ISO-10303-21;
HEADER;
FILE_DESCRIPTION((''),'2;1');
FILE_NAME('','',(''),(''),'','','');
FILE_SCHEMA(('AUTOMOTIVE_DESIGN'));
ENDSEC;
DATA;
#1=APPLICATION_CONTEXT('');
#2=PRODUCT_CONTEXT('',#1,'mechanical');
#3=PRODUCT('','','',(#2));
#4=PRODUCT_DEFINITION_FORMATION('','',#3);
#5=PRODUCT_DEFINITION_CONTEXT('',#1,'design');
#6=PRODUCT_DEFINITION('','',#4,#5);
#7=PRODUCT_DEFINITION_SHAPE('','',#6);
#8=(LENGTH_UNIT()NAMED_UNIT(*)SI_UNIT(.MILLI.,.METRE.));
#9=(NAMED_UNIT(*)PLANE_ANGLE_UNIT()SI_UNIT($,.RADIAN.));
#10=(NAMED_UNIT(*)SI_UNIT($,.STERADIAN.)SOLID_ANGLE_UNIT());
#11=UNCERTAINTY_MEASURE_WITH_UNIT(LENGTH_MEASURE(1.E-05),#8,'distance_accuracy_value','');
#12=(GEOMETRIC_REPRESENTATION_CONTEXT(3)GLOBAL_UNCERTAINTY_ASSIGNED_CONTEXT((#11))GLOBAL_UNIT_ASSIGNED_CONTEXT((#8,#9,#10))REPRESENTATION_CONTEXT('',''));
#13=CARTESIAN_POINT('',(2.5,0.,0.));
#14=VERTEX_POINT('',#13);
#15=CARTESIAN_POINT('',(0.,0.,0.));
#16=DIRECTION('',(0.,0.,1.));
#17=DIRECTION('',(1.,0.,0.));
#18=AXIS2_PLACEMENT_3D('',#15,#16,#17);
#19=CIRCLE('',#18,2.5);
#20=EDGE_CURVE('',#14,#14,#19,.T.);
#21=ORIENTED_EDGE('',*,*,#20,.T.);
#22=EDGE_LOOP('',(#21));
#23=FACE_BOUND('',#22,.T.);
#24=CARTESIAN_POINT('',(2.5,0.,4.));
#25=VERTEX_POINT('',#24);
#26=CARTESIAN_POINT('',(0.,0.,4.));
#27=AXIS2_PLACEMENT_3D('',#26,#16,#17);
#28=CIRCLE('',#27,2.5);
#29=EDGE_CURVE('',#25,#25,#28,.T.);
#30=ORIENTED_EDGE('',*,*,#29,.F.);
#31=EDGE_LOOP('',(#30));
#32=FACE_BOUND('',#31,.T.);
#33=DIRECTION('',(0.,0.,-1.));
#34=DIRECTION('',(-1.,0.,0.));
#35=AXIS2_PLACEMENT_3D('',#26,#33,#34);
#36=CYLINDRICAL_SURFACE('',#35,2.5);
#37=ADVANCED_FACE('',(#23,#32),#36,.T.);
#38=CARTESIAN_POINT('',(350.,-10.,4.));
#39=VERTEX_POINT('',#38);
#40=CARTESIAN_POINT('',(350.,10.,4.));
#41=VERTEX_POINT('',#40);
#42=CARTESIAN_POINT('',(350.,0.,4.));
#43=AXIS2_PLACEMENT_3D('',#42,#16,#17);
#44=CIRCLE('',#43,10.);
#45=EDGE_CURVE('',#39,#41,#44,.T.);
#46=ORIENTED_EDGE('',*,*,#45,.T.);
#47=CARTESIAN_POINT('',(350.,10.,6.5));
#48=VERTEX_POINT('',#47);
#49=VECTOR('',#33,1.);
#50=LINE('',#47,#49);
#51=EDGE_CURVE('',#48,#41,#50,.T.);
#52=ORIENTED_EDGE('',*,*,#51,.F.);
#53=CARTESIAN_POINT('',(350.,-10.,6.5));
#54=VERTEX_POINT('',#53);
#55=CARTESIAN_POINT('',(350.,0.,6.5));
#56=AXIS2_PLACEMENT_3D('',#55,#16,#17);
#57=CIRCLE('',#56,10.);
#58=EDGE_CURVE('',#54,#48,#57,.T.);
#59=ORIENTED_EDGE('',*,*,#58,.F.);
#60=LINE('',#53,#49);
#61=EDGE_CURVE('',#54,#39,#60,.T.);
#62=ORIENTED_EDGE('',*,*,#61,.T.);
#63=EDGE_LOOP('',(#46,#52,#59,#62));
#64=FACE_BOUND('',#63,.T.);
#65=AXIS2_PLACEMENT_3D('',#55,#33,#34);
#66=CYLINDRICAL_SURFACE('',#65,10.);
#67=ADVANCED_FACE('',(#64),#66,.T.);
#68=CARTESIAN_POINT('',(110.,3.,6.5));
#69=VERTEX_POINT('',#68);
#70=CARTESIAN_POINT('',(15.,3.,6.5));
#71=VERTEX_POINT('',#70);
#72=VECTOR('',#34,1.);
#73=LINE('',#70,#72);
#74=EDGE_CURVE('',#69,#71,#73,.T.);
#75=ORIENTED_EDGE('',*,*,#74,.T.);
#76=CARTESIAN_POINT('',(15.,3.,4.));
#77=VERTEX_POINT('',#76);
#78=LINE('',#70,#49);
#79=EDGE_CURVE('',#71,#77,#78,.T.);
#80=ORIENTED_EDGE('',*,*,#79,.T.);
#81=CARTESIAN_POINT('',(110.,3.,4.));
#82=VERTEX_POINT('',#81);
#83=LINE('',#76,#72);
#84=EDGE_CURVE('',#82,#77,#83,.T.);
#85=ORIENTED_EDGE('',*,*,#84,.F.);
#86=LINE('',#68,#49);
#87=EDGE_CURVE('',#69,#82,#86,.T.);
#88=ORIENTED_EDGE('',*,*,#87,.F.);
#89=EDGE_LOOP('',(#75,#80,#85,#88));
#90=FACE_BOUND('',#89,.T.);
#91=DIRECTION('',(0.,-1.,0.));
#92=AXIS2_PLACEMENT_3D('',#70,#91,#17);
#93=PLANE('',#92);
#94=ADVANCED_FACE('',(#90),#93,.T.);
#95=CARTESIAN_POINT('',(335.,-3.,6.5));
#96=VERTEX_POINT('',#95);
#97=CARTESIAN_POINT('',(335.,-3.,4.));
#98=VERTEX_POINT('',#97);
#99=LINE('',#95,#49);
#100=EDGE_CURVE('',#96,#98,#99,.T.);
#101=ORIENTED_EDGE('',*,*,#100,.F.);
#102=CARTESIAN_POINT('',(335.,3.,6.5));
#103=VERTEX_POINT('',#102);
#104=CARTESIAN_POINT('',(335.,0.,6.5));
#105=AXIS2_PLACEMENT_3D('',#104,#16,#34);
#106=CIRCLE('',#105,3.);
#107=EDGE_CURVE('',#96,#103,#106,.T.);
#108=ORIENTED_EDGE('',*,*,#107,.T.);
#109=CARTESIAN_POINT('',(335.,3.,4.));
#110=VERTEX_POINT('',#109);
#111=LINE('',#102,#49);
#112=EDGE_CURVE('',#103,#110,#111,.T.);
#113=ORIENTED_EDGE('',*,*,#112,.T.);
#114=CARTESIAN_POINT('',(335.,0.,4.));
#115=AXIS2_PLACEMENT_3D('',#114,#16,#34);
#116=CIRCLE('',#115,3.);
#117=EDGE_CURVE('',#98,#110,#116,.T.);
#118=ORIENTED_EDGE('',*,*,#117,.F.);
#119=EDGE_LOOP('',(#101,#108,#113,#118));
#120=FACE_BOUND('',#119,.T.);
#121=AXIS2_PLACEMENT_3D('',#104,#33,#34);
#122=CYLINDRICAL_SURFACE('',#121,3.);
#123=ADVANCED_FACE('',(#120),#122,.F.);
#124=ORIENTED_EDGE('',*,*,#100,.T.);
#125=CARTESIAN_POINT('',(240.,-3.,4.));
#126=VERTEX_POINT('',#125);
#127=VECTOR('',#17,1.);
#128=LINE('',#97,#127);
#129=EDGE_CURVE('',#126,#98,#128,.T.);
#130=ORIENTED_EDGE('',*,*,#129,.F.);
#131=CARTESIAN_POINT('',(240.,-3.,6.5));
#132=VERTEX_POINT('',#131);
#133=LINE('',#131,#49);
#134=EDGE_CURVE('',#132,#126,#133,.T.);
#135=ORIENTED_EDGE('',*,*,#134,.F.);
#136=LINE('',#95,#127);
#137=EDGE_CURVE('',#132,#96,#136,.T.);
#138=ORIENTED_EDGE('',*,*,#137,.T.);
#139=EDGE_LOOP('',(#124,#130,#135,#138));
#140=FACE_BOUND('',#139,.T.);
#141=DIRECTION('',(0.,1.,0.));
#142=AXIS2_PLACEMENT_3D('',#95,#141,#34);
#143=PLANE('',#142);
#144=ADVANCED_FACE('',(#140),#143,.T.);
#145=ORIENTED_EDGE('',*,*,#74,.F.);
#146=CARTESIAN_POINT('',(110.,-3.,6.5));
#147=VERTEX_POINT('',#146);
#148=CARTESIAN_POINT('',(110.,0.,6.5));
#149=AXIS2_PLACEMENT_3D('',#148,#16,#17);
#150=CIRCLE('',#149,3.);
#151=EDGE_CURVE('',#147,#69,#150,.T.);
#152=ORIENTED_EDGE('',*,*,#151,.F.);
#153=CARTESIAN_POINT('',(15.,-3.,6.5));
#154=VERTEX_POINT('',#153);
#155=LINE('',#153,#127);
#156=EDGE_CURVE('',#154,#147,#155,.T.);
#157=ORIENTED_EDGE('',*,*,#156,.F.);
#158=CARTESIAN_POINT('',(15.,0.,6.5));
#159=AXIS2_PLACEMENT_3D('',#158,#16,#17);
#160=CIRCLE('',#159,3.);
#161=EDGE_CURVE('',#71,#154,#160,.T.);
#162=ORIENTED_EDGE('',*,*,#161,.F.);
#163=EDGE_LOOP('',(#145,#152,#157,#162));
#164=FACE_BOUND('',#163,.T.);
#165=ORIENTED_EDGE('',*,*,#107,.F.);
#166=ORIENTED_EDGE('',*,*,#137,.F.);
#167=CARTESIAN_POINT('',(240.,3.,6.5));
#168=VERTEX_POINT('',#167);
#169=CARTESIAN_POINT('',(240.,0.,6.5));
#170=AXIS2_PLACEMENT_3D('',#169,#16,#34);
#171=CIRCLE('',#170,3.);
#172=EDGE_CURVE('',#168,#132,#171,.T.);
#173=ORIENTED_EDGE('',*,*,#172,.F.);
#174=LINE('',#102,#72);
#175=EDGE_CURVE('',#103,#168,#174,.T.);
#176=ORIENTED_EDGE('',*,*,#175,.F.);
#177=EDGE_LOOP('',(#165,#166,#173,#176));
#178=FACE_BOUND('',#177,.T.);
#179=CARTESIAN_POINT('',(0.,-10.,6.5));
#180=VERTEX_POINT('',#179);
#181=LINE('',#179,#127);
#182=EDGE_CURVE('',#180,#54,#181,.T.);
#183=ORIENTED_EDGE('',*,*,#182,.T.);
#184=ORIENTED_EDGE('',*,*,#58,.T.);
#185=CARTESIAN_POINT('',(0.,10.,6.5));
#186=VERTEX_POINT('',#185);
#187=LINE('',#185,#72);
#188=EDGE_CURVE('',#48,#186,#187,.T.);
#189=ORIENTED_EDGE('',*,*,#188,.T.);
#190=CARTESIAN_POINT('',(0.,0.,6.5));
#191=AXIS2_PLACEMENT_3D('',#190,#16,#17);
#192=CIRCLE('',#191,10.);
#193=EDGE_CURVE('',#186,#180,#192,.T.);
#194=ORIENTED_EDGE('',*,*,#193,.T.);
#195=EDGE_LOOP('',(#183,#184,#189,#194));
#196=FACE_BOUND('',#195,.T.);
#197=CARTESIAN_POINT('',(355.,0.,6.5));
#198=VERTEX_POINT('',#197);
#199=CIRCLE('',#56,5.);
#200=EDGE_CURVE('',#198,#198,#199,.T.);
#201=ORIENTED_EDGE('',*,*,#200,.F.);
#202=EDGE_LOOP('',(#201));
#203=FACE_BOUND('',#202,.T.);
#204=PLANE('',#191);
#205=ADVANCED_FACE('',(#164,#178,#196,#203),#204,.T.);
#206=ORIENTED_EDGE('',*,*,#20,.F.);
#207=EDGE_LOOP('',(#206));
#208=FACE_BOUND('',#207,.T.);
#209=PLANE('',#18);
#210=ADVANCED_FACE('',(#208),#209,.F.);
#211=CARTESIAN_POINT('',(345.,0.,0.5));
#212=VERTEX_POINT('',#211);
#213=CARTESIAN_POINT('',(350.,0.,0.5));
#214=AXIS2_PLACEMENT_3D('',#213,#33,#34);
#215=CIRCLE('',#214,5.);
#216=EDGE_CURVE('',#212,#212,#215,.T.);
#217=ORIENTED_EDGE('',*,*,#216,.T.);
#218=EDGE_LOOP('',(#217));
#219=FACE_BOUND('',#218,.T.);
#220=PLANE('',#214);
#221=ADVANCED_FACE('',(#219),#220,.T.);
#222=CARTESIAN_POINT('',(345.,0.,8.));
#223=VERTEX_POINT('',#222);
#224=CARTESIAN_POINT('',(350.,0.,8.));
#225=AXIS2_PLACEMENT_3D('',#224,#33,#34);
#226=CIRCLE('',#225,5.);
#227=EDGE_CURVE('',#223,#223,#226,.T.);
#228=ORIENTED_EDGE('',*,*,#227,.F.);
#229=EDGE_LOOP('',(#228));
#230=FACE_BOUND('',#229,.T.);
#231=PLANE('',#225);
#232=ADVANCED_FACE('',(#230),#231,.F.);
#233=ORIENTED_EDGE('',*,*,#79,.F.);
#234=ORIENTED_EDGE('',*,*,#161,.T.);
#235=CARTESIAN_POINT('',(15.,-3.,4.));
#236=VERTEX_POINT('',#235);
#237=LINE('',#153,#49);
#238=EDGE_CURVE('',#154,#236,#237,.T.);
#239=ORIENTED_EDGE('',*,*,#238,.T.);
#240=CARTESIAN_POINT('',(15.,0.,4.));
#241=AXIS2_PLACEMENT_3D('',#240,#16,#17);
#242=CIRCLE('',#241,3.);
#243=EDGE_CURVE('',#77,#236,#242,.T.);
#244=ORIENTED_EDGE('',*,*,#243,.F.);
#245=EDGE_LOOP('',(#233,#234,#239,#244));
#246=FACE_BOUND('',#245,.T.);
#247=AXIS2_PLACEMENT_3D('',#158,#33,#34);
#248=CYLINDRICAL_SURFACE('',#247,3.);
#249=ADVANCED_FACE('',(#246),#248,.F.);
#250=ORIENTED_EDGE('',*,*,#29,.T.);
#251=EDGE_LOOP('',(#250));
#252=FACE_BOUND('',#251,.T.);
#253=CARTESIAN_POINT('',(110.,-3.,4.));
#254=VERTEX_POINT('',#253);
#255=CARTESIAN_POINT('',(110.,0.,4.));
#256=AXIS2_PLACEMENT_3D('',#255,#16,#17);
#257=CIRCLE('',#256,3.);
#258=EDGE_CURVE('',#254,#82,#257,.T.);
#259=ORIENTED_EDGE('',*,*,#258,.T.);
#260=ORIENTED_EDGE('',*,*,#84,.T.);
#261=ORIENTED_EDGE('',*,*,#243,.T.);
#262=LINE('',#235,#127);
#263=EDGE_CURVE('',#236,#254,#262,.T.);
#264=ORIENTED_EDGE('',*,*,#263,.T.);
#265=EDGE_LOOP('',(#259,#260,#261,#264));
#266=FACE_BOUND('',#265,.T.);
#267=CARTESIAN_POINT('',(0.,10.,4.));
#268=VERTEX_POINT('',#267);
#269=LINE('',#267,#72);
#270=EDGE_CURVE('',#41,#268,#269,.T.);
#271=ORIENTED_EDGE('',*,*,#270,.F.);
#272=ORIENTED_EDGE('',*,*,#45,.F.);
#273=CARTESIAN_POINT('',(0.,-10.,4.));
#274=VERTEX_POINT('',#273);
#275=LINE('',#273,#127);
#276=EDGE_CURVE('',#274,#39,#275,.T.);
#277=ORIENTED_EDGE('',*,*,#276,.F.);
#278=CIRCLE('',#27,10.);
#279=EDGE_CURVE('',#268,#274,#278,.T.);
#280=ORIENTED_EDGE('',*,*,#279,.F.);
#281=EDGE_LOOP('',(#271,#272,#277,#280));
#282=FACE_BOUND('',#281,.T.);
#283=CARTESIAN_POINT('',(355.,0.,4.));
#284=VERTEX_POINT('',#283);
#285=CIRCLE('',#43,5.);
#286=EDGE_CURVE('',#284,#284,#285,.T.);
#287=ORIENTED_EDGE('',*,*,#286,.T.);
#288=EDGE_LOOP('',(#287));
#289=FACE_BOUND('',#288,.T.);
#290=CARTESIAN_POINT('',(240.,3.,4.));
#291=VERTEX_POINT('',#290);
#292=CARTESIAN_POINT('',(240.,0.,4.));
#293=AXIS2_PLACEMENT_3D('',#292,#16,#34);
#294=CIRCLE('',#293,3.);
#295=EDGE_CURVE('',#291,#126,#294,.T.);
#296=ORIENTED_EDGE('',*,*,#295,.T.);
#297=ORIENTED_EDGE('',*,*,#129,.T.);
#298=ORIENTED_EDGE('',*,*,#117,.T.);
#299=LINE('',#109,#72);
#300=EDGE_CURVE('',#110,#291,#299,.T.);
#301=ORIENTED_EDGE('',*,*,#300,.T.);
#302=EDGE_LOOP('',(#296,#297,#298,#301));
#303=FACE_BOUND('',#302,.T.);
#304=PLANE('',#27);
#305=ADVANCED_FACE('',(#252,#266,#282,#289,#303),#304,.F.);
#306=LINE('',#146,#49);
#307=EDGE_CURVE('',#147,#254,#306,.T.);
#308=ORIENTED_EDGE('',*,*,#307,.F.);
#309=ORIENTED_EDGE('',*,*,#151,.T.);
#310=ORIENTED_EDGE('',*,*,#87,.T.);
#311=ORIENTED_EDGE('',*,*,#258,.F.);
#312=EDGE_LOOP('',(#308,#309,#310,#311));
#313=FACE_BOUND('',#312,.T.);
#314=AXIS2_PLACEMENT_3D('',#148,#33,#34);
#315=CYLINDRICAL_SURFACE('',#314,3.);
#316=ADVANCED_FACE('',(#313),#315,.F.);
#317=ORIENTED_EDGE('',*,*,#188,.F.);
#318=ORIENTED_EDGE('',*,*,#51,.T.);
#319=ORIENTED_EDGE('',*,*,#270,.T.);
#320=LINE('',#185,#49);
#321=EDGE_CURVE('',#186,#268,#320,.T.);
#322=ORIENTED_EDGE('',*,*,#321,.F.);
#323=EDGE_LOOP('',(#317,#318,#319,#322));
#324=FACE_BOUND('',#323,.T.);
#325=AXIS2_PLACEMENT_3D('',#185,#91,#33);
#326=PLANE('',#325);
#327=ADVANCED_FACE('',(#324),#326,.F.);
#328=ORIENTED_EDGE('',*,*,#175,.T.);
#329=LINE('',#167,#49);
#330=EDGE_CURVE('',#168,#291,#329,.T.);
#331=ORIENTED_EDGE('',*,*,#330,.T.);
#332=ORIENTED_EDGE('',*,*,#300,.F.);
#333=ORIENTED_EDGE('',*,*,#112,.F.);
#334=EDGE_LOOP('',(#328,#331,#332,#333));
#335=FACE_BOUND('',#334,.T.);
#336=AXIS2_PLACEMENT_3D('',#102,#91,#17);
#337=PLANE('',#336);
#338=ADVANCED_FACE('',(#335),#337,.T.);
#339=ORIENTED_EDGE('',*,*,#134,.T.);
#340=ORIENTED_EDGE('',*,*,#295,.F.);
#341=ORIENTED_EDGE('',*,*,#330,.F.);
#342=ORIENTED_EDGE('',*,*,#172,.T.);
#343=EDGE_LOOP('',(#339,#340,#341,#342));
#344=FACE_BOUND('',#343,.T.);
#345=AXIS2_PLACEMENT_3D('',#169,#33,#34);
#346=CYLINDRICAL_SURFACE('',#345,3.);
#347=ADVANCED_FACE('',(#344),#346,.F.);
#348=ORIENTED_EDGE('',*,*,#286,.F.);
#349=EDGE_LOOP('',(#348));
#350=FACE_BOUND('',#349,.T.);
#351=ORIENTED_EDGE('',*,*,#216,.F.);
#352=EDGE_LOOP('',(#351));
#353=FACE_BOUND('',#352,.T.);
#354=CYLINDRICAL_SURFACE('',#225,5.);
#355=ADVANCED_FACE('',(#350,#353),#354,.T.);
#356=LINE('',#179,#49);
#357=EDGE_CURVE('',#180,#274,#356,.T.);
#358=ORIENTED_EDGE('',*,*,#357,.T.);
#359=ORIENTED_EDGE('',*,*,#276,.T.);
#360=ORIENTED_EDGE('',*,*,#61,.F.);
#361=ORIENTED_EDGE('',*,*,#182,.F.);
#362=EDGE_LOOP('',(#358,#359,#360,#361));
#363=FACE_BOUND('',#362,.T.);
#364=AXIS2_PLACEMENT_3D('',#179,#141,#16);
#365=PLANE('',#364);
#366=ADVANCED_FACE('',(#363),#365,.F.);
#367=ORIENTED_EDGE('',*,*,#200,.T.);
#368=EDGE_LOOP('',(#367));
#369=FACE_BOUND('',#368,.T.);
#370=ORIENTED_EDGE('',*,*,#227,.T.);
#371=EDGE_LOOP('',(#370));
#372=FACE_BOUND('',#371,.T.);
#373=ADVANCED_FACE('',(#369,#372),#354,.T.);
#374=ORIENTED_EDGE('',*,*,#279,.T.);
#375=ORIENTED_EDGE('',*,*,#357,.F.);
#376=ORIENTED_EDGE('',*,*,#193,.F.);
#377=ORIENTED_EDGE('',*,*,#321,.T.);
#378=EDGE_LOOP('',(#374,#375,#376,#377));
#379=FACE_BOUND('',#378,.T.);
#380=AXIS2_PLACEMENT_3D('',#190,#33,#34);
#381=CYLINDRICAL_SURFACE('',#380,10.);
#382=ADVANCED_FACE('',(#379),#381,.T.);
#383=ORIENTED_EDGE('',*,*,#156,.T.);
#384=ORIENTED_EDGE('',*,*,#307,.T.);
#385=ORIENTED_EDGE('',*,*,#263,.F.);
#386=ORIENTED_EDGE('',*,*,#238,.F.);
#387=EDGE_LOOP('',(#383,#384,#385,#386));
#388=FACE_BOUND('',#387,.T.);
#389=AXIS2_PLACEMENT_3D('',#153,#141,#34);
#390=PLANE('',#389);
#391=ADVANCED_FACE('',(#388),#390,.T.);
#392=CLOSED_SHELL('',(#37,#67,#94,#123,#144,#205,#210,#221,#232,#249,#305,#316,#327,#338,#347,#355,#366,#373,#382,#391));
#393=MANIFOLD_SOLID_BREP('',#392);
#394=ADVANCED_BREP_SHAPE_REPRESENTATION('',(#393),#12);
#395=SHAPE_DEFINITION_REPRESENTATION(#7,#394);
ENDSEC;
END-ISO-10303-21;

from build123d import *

# Parameters (mm, degrees)
SKETCH1_R                = 2.5
BOSS_EXTRUDE1_DEPTH      = 4
SKETCH3_R                = 5
BOSS_EXTRUDE2_DEPTH      = 2.5
BOSS_EXTRUDE3_DEPTH      = 3.5
BOSS_EXTRUDE3_DEPTH_BACK = 4
SKETCH4_R                = 5


with BuildPart() as part:
    # Sketch1 → Boss-Extrude1 (new body)
    with BuildSketch(Plane.XY):
        Circle(SKETCH1_R)
    extrude(amount=BOSS_EXTRUDE1_DEPTH)

    # Sketch3 → Boss-Extrude2 (add)
    with BuildSketch(Plane.XY.offset(4)):
        with BuildLine():
            Line((0, 10), (350, 10))
            ThreePointArc((350, 10), (360, 0), (350, -10))
            Line((350, -10), (0, -10))
            ThreePointArc((0, -10), (-10, 0), (0, 10))
        make_face()
        with Locations((350, 0)):
            Circle(SKETCH3_R, mode=Mode.SUBTRACT)
        with BuildLine():
            Line((15, 3), (110, 3))
            ThreePointArc((110, 3), (113, 0), (110, -3))
            Line((110, -3), (15, -3))
            ThreePointArc((15, -3), (12, 0), (15, 3))
        make_face(mode=Mode.SUBTRACT)
        with BuildLine():
            Line((335, 3), (240, 3))
            ThreePointArc((240, 3), (237, 0), (240, -3))
            Line((240, -3), (335, -3))
            ThreePointArc((335, -3), (338, 0), (335, 3))
        make_face(mode=Mode.SUBTRACT)
    extrude(amount=BOSS_EXTRUDE2_DEPTH)

    # Sketch4 → Boss-Extrude3 (add, two sides: drawn at the far end of the back side and taken through both)
    with BuildSketch(Plane(origin=(0, 0, 4), x_dir=(-1, 0, 0), z_dir=(0, 0, -1)).offset(-BOSS_EXTRUDE3_DEPTH_BACK)):
        with Locations((-350, 0)):
            Circle(SKETCH4_R)
    extrude(amount=BOSS_EXTRUDE3_DEPTH + BOSS_EXTRUDE3_DEPTH_BACK)


solid = part.part
